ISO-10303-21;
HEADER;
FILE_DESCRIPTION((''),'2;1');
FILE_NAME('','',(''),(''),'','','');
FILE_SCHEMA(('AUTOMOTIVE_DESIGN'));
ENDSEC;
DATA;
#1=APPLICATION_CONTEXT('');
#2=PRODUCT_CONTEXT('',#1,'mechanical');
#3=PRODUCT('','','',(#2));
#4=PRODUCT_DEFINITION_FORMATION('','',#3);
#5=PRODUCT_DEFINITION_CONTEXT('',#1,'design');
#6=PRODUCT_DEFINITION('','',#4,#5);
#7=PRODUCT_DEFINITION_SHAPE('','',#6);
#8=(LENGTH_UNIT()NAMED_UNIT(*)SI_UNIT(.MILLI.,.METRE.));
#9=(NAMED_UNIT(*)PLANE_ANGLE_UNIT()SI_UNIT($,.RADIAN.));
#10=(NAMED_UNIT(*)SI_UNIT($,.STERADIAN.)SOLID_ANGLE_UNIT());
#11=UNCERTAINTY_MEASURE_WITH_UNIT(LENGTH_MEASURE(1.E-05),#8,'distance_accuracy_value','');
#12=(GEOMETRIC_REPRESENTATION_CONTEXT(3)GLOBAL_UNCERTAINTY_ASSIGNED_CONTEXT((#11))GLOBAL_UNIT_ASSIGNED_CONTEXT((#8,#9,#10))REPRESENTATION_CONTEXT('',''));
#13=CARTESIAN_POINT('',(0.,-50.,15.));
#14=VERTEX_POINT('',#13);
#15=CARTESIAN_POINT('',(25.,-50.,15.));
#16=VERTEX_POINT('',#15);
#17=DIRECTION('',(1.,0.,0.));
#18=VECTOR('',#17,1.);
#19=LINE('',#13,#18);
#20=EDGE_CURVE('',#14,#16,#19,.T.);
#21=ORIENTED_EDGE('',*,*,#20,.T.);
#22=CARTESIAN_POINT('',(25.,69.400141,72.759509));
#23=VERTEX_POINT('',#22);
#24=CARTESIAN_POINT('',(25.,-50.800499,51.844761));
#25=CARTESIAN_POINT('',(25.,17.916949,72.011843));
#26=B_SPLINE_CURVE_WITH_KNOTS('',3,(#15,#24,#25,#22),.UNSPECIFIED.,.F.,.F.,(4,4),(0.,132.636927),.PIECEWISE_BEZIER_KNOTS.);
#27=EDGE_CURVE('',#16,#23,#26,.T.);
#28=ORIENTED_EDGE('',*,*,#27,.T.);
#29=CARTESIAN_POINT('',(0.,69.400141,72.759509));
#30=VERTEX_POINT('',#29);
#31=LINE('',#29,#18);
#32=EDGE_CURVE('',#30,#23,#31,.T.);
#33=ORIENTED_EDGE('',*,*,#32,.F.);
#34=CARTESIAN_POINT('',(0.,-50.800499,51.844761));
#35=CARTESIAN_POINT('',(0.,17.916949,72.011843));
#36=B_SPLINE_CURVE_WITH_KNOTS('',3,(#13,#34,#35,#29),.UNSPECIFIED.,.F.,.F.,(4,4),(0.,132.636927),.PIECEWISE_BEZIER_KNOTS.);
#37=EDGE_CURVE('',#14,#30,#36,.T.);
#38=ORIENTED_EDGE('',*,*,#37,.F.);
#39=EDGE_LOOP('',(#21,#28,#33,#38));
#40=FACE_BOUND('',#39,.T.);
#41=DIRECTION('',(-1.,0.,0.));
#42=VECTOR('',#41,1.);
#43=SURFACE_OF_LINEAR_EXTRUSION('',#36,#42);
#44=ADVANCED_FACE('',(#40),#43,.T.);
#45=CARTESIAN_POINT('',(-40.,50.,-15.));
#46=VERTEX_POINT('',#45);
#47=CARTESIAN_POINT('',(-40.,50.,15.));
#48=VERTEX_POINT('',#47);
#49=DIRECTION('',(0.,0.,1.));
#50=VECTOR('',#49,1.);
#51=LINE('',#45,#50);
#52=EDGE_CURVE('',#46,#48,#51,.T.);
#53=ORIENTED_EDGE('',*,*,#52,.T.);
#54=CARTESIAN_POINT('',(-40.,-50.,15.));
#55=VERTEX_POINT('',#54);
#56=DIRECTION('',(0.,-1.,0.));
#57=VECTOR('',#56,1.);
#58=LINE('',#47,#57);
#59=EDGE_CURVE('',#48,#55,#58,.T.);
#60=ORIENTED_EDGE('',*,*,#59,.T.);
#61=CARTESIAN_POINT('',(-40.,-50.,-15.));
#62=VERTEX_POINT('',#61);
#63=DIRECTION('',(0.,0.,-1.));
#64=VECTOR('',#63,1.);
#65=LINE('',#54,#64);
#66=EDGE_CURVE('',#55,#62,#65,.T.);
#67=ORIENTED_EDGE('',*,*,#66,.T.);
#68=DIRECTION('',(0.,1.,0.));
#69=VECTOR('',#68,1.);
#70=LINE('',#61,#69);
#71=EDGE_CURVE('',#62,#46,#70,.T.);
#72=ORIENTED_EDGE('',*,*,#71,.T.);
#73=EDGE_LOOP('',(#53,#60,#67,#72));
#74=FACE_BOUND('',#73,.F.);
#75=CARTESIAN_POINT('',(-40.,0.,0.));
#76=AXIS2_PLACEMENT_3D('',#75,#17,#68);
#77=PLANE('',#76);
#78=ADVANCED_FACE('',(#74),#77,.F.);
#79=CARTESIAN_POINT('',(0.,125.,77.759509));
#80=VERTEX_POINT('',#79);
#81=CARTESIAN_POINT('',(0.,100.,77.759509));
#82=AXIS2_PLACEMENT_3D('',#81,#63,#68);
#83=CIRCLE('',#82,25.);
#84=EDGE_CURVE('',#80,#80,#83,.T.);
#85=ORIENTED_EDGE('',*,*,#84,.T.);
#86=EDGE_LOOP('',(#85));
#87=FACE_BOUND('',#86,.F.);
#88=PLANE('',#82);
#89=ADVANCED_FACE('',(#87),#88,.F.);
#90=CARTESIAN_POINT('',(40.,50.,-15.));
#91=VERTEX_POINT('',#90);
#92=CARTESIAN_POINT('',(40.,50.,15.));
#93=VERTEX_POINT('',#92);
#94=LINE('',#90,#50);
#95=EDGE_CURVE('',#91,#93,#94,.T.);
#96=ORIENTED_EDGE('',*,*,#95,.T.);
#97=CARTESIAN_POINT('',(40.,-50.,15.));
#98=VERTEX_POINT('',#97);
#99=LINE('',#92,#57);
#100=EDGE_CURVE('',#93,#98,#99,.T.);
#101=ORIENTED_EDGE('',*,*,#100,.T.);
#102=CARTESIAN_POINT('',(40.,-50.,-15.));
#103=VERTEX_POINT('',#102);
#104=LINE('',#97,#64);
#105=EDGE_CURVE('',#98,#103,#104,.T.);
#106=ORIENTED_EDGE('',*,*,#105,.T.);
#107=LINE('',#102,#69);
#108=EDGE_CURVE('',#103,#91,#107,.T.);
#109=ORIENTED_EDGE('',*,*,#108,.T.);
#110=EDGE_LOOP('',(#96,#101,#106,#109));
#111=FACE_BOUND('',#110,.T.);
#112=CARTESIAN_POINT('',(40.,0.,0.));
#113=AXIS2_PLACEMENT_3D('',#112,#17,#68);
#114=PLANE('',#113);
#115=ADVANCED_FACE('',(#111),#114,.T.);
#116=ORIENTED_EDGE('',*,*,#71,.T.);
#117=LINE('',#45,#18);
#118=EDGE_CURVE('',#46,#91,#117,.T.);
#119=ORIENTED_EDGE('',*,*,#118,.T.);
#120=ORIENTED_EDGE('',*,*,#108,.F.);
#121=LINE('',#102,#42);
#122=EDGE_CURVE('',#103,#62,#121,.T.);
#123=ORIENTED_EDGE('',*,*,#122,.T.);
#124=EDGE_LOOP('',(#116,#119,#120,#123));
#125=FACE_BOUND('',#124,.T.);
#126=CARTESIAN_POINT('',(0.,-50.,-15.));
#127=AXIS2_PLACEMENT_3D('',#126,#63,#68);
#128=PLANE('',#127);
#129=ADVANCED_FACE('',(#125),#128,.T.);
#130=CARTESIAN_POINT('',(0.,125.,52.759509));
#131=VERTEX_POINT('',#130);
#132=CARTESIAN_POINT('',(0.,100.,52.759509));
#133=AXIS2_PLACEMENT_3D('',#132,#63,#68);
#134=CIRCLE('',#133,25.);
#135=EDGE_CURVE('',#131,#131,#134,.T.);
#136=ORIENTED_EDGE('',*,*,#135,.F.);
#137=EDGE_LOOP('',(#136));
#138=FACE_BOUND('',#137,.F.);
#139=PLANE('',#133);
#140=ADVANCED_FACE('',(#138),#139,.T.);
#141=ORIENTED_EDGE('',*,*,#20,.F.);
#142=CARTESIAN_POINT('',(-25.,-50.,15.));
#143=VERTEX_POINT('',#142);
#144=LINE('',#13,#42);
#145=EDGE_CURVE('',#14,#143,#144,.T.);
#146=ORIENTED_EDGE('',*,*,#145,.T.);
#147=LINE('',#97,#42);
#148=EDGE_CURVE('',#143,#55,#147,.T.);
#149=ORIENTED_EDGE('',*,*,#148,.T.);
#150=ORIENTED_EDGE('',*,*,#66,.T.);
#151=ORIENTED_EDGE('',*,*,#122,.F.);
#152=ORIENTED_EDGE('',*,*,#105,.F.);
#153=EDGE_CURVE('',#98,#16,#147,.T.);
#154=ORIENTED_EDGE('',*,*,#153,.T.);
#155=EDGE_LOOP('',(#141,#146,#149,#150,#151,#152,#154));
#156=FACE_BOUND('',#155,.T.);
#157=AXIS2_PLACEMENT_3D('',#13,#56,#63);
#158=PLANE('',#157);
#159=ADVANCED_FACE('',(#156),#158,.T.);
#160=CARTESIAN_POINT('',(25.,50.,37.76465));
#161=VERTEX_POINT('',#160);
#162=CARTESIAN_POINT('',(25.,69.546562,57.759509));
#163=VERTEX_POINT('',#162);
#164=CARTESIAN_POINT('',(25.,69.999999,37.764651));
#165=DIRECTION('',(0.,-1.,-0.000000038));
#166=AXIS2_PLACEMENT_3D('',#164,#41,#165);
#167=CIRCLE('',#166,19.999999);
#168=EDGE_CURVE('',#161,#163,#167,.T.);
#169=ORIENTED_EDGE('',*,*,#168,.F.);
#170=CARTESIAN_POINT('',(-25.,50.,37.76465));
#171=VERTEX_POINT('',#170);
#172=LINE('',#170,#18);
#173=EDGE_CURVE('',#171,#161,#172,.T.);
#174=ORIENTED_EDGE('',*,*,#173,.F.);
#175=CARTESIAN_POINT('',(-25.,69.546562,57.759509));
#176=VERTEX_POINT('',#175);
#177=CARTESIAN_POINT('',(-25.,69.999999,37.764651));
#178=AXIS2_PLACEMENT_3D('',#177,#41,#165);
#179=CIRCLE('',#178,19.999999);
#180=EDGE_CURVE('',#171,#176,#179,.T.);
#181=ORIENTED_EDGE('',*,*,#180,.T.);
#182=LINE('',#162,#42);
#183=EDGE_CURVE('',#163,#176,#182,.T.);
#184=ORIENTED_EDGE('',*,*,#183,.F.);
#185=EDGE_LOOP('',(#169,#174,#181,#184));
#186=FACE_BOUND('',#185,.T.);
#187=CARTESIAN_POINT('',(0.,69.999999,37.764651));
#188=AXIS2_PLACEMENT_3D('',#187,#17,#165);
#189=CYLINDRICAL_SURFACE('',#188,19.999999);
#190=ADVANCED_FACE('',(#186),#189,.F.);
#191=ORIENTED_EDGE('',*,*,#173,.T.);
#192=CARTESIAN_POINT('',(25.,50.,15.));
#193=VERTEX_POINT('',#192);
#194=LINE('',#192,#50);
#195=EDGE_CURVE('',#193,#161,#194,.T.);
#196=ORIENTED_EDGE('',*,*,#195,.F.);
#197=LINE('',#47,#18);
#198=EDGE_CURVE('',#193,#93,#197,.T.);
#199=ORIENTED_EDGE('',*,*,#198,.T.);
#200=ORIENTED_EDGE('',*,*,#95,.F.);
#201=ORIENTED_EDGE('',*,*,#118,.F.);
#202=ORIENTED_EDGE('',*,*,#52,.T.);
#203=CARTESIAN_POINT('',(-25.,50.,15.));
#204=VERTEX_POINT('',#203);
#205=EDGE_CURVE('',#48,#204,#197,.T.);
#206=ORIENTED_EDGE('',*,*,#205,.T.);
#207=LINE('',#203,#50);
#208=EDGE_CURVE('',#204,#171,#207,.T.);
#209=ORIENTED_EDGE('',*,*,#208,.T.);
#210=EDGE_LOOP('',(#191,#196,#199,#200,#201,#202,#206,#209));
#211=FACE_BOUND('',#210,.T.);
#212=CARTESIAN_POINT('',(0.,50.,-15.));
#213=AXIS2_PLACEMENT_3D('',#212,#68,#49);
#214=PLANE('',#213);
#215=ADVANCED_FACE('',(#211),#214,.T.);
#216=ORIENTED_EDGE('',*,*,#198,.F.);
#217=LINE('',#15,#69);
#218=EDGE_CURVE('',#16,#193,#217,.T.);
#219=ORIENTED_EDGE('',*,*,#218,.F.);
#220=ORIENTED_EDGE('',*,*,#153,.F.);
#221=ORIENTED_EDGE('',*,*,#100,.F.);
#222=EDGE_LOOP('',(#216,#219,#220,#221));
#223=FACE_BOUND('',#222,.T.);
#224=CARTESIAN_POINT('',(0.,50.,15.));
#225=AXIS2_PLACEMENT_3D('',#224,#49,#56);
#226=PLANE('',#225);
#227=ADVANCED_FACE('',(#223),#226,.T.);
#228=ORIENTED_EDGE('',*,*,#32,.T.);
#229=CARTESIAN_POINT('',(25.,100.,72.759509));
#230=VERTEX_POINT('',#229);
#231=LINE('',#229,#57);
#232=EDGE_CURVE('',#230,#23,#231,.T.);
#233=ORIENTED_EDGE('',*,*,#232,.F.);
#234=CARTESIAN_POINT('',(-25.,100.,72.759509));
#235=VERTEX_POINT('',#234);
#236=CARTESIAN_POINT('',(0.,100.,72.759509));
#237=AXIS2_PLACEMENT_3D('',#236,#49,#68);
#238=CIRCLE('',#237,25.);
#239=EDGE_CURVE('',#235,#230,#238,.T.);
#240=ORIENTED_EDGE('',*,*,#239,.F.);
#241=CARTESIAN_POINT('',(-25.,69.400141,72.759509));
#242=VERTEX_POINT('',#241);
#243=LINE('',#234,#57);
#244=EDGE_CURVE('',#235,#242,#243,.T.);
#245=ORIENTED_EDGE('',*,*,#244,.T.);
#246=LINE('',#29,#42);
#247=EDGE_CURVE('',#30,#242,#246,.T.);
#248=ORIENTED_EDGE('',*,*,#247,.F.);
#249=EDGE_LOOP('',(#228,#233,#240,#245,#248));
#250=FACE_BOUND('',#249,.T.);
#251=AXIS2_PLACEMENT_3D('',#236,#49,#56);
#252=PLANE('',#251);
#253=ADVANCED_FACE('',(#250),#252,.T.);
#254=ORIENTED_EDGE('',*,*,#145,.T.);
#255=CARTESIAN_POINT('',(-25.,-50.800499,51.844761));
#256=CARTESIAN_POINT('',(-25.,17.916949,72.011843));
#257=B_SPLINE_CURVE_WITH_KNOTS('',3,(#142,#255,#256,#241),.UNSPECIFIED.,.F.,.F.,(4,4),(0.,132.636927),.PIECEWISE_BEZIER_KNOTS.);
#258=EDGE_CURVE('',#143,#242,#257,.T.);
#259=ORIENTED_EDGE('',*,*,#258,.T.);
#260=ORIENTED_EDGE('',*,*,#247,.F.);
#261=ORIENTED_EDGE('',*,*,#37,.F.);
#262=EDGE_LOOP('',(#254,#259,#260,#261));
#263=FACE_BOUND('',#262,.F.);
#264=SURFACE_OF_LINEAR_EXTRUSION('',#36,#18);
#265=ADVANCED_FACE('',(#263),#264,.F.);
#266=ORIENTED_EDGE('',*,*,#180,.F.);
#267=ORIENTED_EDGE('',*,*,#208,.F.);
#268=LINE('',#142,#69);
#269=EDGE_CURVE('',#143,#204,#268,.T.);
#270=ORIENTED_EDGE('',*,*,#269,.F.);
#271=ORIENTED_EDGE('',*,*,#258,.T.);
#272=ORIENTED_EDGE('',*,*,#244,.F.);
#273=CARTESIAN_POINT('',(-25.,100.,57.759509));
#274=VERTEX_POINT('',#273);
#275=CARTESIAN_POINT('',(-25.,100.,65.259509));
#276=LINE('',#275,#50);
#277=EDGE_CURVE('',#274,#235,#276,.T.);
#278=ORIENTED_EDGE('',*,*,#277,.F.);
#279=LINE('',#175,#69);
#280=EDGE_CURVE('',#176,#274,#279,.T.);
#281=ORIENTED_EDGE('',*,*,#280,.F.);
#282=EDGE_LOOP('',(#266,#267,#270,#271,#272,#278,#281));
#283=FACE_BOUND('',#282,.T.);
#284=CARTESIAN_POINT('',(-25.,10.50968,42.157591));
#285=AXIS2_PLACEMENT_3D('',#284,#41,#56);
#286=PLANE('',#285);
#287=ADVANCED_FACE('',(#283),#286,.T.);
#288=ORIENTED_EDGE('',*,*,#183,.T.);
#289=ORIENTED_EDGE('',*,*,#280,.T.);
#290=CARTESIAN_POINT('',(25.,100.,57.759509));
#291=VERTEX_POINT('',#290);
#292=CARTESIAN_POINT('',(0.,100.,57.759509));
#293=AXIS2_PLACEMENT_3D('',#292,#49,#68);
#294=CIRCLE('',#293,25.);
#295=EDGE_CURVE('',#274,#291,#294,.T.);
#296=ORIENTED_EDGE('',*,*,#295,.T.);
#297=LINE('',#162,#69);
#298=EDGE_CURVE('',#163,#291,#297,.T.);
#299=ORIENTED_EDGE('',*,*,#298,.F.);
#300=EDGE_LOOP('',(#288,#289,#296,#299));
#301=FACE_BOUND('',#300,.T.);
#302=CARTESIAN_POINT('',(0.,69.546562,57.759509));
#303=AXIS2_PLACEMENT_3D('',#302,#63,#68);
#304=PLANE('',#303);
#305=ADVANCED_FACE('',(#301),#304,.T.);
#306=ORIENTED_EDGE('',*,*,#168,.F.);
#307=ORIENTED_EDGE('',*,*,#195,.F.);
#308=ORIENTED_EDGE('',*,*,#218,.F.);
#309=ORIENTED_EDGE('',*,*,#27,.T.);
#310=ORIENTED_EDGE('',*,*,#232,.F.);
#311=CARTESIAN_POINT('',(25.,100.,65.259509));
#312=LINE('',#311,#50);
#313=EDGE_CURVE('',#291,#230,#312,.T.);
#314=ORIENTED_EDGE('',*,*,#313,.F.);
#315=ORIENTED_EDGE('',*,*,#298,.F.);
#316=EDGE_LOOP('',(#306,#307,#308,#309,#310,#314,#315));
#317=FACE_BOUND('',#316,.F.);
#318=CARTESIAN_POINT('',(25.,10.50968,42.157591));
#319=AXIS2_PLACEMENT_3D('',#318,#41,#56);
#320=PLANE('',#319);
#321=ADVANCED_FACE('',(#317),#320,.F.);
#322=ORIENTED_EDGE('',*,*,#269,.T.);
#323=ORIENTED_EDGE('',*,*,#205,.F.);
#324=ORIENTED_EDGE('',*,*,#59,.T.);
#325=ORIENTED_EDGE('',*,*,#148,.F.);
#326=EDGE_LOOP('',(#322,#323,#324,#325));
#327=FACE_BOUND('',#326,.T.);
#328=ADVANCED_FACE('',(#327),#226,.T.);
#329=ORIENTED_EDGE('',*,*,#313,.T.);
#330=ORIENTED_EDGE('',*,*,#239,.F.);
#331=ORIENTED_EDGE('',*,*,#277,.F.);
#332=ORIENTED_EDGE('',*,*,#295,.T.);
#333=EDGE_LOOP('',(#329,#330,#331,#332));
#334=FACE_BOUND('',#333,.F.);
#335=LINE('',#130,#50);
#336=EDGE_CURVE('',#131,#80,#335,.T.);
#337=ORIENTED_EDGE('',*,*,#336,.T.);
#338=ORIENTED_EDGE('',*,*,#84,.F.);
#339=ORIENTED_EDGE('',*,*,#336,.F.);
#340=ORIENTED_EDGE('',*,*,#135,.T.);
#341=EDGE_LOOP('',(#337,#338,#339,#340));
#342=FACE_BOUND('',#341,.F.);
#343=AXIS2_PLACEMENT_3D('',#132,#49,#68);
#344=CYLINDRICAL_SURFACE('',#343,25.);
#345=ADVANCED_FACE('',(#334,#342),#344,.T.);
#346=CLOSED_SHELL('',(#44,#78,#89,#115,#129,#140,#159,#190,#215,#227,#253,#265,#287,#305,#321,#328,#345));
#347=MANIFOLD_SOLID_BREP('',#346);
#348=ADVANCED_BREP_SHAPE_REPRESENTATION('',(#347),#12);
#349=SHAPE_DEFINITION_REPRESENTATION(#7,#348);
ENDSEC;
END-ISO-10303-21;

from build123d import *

# Parameters (mm, degrees)
F1_DEPTH = 40
F0_W     = 25
F0_H     = 15
F2_DEPTH = 25


with BuildPart() as f1:
    # F0 (on Right) → F1 (new body, symmetric)
    with BuildSketch(Plane.YZ):
        Polygon((-50, -15), (50, -15), (50, 15), (35, 15), (-50, 15), align=None)
    extrude(amount=F1_DEPTH, both=True)

    # F0 (on Right) → F2 (join, symmetric)
    with BuildSketch(Plane.YZ):
        with BuildLine():
            add(Edge.make_bspline(
                [(-50, 15), (-50.800499, 51.844761), (17.916949, 72.011843), (69.400141, 72.759509)],
                knots=[0, 0, 0, 0, 132.636927, 132.636927, 132.636927, 132.636927], degree=3))
            Line((-50, 15), (35, 15))
            Line((35, 15), (35, 37.76465))
            ThreePointArc((35, 37.76465), (45.040081, 62.300388), (69.400141, 72.759509))
        make_face()
        with BuildLine():
            Line((35, 15), (50, 15))
            Line((50, 15), (50, 37.76465))
            ThreePointArc((50, 37.76465), (55.698448, 51.745552), (69.546562, 57.759509))
            Line((69.546562, 57.759509), (75, 57.759509))
            Line((75, 57.759509), (75, 72.759509))
            Line((75, 72.759509), (69.400141, 72.759509))
            ThreePointArc((69.400141, 72.759509), (45.040081, 62.300388), (35, 37.76465))
            Line((35, 37.76465), (35, 15))
        make_face()
        with Locations((87.5, 65.259509)):
            Rectangle(F0_W, F0_H)
    extrude(amount=F2_DEPTH, both=True)

    # F0 (on Right) → F3 (revolve)
    with BuildSketch(Plane.YZ):
        Polygon((100, 77.759509), (100, 72.759509), (100, 57.759509), (100, 52.759509), (125, 52.759509), (125, 77.759509), align=None)
    revolve(axis=Axis((0, 100, 65.259509), (0, 0, -1)))


solid = f1.part
